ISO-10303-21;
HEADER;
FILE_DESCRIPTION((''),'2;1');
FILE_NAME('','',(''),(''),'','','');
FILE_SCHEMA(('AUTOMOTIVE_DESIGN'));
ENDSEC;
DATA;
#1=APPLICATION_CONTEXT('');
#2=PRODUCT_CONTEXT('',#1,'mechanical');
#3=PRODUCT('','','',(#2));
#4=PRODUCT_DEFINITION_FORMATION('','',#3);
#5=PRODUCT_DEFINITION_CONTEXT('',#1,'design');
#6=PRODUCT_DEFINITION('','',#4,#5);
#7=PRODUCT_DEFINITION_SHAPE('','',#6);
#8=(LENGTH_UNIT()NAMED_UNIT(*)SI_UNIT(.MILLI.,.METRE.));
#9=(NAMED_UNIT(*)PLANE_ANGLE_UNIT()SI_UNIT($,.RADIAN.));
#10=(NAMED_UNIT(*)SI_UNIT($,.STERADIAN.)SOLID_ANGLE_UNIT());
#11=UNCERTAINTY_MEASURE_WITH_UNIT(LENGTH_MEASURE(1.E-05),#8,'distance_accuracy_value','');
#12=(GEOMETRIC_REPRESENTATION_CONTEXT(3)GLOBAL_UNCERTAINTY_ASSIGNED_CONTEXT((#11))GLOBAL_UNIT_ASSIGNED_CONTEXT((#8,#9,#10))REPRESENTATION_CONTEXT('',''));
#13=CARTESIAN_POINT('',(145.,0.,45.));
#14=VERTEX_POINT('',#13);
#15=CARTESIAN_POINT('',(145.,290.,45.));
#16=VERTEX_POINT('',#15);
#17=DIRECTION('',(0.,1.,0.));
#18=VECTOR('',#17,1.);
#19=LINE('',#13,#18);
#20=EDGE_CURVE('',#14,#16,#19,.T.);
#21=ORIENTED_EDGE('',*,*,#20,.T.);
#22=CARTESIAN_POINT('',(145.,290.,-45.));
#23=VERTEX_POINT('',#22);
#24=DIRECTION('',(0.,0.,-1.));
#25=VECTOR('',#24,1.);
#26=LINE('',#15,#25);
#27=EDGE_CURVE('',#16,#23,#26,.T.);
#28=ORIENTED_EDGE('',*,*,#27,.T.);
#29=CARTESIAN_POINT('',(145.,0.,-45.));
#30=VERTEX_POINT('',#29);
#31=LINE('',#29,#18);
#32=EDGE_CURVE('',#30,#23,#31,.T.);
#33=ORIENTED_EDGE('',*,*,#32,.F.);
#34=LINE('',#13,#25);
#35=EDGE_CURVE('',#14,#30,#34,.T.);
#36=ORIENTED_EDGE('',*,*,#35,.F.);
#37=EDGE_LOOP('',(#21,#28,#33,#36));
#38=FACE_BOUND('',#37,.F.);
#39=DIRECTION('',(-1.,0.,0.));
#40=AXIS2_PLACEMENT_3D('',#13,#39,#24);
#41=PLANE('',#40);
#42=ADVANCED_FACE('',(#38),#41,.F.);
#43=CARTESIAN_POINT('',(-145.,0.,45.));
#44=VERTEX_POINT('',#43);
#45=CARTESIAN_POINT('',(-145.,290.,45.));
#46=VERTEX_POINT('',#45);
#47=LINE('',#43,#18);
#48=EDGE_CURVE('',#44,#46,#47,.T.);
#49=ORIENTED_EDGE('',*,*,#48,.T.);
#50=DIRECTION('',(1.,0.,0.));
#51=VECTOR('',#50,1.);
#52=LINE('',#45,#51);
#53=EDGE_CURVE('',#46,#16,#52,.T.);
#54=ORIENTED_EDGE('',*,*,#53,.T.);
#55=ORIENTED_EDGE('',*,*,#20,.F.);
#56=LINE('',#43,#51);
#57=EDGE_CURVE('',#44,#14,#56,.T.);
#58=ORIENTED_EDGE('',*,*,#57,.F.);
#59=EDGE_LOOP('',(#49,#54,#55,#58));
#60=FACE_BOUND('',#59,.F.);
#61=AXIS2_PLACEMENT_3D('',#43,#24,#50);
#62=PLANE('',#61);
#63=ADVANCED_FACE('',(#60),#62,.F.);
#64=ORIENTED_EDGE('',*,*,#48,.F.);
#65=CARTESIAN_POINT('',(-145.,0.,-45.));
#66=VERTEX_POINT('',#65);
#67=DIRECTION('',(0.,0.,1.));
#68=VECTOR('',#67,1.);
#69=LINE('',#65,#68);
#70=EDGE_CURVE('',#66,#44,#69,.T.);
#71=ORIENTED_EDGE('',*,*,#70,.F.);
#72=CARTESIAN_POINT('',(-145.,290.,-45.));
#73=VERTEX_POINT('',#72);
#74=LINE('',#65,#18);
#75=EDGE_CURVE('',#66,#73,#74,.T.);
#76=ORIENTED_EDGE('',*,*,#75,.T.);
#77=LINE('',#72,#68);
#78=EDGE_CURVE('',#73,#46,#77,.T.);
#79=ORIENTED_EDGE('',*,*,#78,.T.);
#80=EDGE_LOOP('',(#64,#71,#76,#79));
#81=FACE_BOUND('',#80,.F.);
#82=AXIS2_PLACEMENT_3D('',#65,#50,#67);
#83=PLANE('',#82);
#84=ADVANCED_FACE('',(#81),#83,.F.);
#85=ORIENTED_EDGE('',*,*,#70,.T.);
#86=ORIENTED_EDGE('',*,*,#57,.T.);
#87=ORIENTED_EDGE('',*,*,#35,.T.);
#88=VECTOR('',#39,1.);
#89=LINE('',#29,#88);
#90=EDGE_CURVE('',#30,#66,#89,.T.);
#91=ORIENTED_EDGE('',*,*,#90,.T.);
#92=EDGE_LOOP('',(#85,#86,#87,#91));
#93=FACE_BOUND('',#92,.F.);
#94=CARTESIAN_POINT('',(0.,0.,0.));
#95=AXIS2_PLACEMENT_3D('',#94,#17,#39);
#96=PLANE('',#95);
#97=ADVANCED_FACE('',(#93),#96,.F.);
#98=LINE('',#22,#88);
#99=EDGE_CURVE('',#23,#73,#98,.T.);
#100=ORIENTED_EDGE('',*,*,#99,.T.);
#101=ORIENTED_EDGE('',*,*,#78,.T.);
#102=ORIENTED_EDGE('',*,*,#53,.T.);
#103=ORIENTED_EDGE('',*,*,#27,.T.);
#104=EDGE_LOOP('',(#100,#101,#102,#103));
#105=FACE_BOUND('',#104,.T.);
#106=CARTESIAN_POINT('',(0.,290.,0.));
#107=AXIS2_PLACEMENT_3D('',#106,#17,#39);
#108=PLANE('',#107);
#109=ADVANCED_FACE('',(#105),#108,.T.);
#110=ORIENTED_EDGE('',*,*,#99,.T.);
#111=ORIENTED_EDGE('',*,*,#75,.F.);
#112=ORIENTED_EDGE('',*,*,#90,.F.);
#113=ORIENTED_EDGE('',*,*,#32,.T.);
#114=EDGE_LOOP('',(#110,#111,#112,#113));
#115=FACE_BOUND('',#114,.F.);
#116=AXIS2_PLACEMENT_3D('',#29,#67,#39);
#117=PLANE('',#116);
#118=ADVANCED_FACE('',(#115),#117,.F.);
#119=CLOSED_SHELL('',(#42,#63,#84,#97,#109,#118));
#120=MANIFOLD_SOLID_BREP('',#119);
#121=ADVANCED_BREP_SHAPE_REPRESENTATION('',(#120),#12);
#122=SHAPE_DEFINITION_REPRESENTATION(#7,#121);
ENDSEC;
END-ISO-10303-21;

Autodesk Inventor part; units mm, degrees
ref_plane "YZ Plane" through (0, 0, 0) normal (1, 0, 0) x (0, 1, 0)
ref_plane "XZ Plane" through (0, 0, 0) normal (0, 1, 0) x (-1, 0, 0)
ref_plane "XY Plane" through (0, 0, 0) normal (0, 0, 1) x (1, 0, 0)
sketch "Sketch1" plane through (0, 0, 0) normal (0, 1, 0) x (-1, 0, 0)
  line L0 (145, 45) -> (-145, 45)
  line L1 (-145, 45) -> (-145, -45)
  line L2 (-145, -45) -> (145, -45)
  line L3 (145, -45) -> (145, 45)
  line L4 (145, 45) -> (-145, -45) construction
  line L5 (-145, 45) -> (145, -45) construction
  point P0 (0, 0)
  dimension "d0" = 290
  dimension "d1" = 90
extrude "Extrusion1" add sketch "Sketch1" along normal blind 290
properties part number "ShedComputer"
